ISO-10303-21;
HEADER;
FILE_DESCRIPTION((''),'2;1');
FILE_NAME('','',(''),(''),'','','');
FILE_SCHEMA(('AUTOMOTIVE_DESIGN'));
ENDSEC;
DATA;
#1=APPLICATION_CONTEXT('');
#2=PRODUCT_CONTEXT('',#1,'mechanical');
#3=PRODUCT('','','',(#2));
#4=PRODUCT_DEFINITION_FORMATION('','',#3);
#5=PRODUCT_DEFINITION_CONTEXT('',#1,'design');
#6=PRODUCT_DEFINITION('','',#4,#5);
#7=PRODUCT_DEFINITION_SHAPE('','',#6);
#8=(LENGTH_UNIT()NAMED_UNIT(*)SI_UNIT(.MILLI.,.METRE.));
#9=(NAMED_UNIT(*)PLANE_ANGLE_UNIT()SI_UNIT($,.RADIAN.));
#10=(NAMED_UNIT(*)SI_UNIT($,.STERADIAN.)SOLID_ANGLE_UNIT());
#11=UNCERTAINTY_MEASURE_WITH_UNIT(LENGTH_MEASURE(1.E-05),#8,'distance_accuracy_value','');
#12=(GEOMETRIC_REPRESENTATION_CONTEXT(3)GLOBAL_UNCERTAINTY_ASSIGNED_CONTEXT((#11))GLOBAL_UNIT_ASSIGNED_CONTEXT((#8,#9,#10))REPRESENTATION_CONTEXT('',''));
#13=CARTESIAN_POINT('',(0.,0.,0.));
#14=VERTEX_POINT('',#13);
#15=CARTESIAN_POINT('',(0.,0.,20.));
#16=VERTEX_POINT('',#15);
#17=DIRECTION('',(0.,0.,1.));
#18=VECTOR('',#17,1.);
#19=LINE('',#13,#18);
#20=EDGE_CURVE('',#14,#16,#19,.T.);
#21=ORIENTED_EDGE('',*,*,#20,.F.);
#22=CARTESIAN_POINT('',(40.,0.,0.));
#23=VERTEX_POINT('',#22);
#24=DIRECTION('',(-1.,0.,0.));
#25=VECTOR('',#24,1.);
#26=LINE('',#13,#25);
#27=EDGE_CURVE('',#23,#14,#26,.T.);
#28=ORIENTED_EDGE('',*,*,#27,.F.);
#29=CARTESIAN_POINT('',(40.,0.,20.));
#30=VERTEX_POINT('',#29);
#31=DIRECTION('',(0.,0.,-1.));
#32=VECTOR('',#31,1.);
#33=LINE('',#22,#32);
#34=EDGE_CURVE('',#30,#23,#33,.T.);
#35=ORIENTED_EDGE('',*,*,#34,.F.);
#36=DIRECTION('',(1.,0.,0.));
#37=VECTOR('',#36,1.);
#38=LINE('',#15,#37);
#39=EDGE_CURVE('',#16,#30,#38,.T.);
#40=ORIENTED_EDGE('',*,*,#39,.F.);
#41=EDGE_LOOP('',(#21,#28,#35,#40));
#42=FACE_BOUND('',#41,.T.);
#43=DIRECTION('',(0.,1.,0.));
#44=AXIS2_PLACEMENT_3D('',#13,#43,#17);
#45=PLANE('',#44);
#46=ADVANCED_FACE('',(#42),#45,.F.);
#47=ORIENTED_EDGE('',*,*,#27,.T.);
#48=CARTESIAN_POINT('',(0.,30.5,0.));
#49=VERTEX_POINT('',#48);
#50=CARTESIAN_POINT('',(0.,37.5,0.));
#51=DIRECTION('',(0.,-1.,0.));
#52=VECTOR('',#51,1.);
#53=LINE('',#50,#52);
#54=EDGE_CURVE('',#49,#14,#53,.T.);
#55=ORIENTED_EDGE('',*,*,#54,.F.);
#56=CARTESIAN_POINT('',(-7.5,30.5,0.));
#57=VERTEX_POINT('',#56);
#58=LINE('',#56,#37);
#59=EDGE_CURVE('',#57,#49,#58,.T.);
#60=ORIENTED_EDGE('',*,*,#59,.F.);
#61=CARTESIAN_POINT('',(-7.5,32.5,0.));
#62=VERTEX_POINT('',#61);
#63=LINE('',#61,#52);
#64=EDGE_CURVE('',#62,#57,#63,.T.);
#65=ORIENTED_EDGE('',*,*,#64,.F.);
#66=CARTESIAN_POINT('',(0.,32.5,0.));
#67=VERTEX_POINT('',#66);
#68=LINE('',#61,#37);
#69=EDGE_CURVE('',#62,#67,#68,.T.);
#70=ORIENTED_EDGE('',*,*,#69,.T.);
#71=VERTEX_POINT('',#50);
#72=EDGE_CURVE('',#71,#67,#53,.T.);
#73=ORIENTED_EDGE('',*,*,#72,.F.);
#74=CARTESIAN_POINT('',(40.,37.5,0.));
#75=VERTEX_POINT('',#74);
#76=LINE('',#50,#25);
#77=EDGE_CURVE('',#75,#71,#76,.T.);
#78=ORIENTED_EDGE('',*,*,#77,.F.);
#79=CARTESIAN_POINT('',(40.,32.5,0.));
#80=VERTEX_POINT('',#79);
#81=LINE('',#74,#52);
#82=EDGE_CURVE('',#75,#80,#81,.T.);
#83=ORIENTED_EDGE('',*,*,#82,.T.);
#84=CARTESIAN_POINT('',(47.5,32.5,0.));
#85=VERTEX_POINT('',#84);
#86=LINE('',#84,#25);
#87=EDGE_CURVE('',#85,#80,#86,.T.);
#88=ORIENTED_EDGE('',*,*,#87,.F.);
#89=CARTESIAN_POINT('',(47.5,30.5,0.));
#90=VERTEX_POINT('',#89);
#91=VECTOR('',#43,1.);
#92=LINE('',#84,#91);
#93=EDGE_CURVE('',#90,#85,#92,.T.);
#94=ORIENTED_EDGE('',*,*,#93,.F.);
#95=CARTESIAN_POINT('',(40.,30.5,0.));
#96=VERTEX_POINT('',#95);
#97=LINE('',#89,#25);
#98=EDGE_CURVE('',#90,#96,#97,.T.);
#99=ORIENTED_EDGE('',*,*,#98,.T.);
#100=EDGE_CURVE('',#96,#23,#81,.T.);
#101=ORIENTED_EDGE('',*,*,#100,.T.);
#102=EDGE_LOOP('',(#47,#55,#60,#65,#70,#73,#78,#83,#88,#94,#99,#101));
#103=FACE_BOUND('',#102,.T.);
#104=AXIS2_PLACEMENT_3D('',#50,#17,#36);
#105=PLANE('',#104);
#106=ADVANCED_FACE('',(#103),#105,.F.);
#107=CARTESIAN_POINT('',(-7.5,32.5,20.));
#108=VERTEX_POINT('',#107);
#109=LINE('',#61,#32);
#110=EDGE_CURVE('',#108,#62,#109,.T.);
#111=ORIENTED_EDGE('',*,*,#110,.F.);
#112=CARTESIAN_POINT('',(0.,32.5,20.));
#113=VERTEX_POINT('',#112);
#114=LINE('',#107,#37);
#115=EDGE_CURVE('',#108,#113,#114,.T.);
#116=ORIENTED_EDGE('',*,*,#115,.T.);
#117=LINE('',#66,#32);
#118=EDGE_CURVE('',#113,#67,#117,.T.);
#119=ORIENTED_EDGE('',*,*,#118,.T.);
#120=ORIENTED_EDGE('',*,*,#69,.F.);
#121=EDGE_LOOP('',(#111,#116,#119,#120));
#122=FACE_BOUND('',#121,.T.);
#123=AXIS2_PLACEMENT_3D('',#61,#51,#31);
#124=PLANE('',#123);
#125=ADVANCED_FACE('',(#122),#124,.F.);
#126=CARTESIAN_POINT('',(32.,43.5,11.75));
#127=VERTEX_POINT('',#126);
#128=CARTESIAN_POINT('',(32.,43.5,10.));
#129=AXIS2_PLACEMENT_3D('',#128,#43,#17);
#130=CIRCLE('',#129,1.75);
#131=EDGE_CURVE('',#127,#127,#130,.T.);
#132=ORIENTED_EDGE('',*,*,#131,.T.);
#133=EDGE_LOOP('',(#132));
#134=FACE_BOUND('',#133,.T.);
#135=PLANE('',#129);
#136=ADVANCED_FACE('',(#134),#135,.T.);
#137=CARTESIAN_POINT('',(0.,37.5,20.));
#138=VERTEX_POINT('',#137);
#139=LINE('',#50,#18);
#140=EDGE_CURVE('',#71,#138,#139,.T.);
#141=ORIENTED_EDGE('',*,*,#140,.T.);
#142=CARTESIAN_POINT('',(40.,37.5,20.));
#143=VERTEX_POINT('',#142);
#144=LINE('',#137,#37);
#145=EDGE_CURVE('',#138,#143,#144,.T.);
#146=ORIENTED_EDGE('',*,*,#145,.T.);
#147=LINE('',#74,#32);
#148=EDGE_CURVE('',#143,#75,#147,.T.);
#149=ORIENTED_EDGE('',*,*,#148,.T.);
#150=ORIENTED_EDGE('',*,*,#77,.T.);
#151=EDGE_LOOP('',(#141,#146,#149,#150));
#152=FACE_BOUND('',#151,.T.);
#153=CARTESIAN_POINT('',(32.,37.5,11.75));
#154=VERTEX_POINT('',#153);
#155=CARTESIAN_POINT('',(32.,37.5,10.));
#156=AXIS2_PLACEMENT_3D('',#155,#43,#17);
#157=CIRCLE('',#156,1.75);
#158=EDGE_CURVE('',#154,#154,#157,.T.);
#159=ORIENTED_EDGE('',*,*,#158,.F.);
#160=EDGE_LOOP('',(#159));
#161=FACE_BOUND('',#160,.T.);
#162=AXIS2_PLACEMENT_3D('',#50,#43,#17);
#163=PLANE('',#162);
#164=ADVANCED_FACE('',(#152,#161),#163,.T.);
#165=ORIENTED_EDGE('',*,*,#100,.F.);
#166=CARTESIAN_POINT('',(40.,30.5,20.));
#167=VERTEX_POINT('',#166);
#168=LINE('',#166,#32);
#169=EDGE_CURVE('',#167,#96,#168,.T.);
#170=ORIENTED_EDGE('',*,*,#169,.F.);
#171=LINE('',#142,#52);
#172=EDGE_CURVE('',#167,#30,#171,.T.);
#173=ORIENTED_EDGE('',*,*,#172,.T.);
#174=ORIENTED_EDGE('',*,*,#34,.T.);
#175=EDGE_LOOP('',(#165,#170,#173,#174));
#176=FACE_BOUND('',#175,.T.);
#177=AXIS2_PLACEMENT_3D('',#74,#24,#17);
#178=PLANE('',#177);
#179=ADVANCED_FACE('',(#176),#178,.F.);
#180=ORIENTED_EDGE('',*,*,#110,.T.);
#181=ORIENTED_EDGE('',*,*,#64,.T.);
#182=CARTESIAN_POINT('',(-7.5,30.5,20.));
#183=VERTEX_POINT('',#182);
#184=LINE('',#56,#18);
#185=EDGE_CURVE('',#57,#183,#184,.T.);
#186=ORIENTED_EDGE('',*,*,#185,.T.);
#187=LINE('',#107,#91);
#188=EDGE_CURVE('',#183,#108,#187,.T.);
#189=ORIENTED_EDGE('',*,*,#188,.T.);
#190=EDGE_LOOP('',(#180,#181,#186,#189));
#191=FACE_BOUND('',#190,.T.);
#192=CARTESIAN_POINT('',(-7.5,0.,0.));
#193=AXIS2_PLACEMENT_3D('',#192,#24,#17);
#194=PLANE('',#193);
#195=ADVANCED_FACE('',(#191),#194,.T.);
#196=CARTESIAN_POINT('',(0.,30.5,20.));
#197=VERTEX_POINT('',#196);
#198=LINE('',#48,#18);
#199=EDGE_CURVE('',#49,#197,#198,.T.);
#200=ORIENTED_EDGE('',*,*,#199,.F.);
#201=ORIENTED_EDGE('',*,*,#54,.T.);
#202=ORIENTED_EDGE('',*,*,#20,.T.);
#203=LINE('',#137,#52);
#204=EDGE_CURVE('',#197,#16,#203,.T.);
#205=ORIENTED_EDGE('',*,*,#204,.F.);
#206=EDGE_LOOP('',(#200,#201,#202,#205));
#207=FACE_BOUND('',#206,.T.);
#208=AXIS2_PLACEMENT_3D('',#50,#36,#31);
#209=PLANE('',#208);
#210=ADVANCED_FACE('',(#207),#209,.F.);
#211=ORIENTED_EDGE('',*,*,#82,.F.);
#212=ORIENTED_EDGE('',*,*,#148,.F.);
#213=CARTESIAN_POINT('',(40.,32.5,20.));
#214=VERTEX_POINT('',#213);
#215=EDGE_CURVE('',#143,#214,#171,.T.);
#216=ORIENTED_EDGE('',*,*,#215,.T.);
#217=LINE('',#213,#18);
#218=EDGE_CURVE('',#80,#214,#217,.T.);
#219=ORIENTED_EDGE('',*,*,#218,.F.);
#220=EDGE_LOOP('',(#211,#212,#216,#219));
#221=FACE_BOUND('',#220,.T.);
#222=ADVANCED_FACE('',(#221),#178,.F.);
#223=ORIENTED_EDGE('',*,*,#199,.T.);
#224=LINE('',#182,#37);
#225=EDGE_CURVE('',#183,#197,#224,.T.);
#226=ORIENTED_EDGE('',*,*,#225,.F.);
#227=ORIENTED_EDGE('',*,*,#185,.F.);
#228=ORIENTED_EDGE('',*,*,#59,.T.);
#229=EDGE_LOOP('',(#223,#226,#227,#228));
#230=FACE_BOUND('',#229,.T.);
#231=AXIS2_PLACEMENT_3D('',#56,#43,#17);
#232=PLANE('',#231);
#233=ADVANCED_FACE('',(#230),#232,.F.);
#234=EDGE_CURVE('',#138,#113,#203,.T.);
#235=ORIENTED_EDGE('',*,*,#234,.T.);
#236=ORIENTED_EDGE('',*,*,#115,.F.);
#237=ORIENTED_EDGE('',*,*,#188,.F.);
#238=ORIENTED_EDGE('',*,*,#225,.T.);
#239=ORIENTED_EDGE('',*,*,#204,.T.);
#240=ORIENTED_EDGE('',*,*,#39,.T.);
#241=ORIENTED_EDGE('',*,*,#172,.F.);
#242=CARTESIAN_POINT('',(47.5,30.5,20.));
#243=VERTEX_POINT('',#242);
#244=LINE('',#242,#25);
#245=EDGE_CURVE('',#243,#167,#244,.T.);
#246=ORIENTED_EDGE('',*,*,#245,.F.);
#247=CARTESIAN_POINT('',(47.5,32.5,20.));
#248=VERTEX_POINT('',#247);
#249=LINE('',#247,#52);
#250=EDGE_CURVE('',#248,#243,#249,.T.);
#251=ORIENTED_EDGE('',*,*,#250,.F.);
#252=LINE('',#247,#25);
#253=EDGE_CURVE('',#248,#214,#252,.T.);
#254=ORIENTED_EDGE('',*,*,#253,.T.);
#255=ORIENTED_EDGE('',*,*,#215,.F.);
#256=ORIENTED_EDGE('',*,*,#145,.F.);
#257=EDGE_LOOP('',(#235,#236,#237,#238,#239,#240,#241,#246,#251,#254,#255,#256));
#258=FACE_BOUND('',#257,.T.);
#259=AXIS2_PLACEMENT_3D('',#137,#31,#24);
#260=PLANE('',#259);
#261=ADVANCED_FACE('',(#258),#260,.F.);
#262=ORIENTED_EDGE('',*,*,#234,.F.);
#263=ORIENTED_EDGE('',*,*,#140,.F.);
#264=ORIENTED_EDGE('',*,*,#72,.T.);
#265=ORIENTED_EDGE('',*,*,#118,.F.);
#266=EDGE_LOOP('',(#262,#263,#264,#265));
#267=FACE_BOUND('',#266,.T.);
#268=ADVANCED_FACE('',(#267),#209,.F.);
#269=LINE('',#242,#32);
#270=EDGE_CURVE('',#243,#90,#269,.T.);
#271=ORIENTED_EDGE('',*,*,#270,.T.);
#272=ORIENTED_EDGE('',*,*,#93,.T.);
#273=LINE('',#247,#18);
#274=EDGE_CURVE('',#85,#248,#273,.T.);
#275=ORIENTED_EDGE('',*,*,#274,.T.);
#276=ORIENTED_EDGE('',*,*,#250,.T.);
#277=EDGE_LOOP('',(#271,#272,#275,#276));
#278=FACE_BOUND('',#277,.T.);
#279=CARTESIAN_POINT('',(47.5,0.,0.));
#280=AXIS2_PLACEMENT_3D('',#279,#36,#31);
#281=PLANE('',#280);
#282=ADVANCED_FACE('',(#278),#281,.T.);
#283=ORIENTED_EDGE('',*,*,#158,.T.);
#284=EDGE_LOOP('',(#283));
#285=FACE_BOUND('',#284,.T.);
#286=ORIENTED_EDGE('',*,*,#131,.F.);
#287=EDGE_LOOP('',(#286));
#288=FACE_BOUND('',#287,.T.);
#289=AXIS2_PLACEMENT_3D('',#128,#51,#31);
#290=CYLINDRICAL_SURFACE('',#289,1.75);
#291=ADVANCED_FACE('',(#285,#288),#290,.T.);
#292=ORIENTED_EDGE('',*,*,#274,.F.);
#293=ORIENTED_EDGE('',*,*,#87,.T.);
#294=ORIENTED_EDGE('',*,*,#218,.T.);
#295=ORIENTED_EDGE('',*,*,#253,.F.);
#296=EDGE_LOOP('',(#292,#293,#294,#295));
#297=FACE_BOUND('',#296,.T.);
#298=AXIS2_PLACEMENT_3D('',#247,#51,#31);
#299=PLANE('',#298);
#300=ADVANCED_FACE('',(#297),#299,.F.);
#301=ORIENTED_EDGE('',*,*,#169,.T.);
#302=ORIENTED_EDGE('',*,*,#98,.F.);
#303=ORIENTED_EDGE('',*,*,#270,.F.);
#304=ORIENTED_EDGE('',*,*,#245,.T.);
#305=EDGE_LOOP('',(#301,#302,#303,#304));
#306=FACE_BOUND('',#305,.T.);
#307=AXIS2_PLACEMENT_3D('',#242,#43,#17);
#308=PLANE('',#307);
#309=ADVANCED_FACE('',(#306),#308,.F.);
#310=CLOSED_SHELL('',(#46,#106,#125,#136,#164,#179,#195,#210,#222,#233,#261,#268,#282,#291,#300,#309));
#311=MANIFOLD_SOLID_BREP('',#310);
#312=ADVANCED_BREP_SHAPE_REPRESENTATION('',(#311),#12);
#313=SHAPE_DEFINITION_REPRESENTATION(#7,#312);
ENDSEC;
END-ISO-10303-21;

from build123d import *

# Parameters (mm, degrees)
SKETCH1_W           = 40
SKETCH1_H           = 20
BOSS_EXTRUDE1_DEPTH = 37.5
SKETCH2_W           = 20
SKETCH2_H           = 2
BOSS_EXTRUDE2_DEPTH = 7.5
SKETCH3_W           = 20
SKETCH3_H           = 2
BOSS_EXTRUDE3_DEPTH = 7.5
SKETCH4_R           = 1.75
BOSS_EXTRUDE4_DEPTH = 6


with BuildPart() as part:
    # Sketch1 → Boss-Extrude1 (new body)
    with BuildSketch(Plane(origin=(0, 0, 0), x_dir=(1, 0, 0), z_dir=(0, 1, 0))):
        with Locations((20, -10)):
            Rectangle(SKETCH1_W, SKETCH1_H)
    extrude(amount=BOSS_EXTRUDE1_DEPTH)

    # Sketch2 → Boss-Extrude2 (add)
    with BuildSketch(Plane(origin=(40, 0, 0), x_dir=(0, 0, -1), z_dir=(1, 0, 0))):
        with Locations((-10, 31.5)):
            Rectangle(SKETCH2_W, SKETCH2_H)
    extrude(amount=BOSS_EXTRUDE2_DEPTH)

    # Sketch3 → Boss-Extrude3 (add)
    with BuildSketch(Plane.ZY):
        with Locations((10, 31.5)):
            Rectangle(SKETCH3_W, SKETCH3_H)
    extrude(amount=BOSS_EXTRUDE3_DEPTH)

    # Sketch4 → Boss-Extrude4 (add)
    with BuildSketch(Plane(origin=(0, 37.5, 0), x_dir=(1, 0, 0), z_dir=(0, 1, 0))):
        with Locations(Location((32, -10, 0), (0, 0, 270))):
            Circle(SKETCH4_R)
    extrude(amount=BOSS_EXTRUDE4_DEPTH)


solid = part.part
